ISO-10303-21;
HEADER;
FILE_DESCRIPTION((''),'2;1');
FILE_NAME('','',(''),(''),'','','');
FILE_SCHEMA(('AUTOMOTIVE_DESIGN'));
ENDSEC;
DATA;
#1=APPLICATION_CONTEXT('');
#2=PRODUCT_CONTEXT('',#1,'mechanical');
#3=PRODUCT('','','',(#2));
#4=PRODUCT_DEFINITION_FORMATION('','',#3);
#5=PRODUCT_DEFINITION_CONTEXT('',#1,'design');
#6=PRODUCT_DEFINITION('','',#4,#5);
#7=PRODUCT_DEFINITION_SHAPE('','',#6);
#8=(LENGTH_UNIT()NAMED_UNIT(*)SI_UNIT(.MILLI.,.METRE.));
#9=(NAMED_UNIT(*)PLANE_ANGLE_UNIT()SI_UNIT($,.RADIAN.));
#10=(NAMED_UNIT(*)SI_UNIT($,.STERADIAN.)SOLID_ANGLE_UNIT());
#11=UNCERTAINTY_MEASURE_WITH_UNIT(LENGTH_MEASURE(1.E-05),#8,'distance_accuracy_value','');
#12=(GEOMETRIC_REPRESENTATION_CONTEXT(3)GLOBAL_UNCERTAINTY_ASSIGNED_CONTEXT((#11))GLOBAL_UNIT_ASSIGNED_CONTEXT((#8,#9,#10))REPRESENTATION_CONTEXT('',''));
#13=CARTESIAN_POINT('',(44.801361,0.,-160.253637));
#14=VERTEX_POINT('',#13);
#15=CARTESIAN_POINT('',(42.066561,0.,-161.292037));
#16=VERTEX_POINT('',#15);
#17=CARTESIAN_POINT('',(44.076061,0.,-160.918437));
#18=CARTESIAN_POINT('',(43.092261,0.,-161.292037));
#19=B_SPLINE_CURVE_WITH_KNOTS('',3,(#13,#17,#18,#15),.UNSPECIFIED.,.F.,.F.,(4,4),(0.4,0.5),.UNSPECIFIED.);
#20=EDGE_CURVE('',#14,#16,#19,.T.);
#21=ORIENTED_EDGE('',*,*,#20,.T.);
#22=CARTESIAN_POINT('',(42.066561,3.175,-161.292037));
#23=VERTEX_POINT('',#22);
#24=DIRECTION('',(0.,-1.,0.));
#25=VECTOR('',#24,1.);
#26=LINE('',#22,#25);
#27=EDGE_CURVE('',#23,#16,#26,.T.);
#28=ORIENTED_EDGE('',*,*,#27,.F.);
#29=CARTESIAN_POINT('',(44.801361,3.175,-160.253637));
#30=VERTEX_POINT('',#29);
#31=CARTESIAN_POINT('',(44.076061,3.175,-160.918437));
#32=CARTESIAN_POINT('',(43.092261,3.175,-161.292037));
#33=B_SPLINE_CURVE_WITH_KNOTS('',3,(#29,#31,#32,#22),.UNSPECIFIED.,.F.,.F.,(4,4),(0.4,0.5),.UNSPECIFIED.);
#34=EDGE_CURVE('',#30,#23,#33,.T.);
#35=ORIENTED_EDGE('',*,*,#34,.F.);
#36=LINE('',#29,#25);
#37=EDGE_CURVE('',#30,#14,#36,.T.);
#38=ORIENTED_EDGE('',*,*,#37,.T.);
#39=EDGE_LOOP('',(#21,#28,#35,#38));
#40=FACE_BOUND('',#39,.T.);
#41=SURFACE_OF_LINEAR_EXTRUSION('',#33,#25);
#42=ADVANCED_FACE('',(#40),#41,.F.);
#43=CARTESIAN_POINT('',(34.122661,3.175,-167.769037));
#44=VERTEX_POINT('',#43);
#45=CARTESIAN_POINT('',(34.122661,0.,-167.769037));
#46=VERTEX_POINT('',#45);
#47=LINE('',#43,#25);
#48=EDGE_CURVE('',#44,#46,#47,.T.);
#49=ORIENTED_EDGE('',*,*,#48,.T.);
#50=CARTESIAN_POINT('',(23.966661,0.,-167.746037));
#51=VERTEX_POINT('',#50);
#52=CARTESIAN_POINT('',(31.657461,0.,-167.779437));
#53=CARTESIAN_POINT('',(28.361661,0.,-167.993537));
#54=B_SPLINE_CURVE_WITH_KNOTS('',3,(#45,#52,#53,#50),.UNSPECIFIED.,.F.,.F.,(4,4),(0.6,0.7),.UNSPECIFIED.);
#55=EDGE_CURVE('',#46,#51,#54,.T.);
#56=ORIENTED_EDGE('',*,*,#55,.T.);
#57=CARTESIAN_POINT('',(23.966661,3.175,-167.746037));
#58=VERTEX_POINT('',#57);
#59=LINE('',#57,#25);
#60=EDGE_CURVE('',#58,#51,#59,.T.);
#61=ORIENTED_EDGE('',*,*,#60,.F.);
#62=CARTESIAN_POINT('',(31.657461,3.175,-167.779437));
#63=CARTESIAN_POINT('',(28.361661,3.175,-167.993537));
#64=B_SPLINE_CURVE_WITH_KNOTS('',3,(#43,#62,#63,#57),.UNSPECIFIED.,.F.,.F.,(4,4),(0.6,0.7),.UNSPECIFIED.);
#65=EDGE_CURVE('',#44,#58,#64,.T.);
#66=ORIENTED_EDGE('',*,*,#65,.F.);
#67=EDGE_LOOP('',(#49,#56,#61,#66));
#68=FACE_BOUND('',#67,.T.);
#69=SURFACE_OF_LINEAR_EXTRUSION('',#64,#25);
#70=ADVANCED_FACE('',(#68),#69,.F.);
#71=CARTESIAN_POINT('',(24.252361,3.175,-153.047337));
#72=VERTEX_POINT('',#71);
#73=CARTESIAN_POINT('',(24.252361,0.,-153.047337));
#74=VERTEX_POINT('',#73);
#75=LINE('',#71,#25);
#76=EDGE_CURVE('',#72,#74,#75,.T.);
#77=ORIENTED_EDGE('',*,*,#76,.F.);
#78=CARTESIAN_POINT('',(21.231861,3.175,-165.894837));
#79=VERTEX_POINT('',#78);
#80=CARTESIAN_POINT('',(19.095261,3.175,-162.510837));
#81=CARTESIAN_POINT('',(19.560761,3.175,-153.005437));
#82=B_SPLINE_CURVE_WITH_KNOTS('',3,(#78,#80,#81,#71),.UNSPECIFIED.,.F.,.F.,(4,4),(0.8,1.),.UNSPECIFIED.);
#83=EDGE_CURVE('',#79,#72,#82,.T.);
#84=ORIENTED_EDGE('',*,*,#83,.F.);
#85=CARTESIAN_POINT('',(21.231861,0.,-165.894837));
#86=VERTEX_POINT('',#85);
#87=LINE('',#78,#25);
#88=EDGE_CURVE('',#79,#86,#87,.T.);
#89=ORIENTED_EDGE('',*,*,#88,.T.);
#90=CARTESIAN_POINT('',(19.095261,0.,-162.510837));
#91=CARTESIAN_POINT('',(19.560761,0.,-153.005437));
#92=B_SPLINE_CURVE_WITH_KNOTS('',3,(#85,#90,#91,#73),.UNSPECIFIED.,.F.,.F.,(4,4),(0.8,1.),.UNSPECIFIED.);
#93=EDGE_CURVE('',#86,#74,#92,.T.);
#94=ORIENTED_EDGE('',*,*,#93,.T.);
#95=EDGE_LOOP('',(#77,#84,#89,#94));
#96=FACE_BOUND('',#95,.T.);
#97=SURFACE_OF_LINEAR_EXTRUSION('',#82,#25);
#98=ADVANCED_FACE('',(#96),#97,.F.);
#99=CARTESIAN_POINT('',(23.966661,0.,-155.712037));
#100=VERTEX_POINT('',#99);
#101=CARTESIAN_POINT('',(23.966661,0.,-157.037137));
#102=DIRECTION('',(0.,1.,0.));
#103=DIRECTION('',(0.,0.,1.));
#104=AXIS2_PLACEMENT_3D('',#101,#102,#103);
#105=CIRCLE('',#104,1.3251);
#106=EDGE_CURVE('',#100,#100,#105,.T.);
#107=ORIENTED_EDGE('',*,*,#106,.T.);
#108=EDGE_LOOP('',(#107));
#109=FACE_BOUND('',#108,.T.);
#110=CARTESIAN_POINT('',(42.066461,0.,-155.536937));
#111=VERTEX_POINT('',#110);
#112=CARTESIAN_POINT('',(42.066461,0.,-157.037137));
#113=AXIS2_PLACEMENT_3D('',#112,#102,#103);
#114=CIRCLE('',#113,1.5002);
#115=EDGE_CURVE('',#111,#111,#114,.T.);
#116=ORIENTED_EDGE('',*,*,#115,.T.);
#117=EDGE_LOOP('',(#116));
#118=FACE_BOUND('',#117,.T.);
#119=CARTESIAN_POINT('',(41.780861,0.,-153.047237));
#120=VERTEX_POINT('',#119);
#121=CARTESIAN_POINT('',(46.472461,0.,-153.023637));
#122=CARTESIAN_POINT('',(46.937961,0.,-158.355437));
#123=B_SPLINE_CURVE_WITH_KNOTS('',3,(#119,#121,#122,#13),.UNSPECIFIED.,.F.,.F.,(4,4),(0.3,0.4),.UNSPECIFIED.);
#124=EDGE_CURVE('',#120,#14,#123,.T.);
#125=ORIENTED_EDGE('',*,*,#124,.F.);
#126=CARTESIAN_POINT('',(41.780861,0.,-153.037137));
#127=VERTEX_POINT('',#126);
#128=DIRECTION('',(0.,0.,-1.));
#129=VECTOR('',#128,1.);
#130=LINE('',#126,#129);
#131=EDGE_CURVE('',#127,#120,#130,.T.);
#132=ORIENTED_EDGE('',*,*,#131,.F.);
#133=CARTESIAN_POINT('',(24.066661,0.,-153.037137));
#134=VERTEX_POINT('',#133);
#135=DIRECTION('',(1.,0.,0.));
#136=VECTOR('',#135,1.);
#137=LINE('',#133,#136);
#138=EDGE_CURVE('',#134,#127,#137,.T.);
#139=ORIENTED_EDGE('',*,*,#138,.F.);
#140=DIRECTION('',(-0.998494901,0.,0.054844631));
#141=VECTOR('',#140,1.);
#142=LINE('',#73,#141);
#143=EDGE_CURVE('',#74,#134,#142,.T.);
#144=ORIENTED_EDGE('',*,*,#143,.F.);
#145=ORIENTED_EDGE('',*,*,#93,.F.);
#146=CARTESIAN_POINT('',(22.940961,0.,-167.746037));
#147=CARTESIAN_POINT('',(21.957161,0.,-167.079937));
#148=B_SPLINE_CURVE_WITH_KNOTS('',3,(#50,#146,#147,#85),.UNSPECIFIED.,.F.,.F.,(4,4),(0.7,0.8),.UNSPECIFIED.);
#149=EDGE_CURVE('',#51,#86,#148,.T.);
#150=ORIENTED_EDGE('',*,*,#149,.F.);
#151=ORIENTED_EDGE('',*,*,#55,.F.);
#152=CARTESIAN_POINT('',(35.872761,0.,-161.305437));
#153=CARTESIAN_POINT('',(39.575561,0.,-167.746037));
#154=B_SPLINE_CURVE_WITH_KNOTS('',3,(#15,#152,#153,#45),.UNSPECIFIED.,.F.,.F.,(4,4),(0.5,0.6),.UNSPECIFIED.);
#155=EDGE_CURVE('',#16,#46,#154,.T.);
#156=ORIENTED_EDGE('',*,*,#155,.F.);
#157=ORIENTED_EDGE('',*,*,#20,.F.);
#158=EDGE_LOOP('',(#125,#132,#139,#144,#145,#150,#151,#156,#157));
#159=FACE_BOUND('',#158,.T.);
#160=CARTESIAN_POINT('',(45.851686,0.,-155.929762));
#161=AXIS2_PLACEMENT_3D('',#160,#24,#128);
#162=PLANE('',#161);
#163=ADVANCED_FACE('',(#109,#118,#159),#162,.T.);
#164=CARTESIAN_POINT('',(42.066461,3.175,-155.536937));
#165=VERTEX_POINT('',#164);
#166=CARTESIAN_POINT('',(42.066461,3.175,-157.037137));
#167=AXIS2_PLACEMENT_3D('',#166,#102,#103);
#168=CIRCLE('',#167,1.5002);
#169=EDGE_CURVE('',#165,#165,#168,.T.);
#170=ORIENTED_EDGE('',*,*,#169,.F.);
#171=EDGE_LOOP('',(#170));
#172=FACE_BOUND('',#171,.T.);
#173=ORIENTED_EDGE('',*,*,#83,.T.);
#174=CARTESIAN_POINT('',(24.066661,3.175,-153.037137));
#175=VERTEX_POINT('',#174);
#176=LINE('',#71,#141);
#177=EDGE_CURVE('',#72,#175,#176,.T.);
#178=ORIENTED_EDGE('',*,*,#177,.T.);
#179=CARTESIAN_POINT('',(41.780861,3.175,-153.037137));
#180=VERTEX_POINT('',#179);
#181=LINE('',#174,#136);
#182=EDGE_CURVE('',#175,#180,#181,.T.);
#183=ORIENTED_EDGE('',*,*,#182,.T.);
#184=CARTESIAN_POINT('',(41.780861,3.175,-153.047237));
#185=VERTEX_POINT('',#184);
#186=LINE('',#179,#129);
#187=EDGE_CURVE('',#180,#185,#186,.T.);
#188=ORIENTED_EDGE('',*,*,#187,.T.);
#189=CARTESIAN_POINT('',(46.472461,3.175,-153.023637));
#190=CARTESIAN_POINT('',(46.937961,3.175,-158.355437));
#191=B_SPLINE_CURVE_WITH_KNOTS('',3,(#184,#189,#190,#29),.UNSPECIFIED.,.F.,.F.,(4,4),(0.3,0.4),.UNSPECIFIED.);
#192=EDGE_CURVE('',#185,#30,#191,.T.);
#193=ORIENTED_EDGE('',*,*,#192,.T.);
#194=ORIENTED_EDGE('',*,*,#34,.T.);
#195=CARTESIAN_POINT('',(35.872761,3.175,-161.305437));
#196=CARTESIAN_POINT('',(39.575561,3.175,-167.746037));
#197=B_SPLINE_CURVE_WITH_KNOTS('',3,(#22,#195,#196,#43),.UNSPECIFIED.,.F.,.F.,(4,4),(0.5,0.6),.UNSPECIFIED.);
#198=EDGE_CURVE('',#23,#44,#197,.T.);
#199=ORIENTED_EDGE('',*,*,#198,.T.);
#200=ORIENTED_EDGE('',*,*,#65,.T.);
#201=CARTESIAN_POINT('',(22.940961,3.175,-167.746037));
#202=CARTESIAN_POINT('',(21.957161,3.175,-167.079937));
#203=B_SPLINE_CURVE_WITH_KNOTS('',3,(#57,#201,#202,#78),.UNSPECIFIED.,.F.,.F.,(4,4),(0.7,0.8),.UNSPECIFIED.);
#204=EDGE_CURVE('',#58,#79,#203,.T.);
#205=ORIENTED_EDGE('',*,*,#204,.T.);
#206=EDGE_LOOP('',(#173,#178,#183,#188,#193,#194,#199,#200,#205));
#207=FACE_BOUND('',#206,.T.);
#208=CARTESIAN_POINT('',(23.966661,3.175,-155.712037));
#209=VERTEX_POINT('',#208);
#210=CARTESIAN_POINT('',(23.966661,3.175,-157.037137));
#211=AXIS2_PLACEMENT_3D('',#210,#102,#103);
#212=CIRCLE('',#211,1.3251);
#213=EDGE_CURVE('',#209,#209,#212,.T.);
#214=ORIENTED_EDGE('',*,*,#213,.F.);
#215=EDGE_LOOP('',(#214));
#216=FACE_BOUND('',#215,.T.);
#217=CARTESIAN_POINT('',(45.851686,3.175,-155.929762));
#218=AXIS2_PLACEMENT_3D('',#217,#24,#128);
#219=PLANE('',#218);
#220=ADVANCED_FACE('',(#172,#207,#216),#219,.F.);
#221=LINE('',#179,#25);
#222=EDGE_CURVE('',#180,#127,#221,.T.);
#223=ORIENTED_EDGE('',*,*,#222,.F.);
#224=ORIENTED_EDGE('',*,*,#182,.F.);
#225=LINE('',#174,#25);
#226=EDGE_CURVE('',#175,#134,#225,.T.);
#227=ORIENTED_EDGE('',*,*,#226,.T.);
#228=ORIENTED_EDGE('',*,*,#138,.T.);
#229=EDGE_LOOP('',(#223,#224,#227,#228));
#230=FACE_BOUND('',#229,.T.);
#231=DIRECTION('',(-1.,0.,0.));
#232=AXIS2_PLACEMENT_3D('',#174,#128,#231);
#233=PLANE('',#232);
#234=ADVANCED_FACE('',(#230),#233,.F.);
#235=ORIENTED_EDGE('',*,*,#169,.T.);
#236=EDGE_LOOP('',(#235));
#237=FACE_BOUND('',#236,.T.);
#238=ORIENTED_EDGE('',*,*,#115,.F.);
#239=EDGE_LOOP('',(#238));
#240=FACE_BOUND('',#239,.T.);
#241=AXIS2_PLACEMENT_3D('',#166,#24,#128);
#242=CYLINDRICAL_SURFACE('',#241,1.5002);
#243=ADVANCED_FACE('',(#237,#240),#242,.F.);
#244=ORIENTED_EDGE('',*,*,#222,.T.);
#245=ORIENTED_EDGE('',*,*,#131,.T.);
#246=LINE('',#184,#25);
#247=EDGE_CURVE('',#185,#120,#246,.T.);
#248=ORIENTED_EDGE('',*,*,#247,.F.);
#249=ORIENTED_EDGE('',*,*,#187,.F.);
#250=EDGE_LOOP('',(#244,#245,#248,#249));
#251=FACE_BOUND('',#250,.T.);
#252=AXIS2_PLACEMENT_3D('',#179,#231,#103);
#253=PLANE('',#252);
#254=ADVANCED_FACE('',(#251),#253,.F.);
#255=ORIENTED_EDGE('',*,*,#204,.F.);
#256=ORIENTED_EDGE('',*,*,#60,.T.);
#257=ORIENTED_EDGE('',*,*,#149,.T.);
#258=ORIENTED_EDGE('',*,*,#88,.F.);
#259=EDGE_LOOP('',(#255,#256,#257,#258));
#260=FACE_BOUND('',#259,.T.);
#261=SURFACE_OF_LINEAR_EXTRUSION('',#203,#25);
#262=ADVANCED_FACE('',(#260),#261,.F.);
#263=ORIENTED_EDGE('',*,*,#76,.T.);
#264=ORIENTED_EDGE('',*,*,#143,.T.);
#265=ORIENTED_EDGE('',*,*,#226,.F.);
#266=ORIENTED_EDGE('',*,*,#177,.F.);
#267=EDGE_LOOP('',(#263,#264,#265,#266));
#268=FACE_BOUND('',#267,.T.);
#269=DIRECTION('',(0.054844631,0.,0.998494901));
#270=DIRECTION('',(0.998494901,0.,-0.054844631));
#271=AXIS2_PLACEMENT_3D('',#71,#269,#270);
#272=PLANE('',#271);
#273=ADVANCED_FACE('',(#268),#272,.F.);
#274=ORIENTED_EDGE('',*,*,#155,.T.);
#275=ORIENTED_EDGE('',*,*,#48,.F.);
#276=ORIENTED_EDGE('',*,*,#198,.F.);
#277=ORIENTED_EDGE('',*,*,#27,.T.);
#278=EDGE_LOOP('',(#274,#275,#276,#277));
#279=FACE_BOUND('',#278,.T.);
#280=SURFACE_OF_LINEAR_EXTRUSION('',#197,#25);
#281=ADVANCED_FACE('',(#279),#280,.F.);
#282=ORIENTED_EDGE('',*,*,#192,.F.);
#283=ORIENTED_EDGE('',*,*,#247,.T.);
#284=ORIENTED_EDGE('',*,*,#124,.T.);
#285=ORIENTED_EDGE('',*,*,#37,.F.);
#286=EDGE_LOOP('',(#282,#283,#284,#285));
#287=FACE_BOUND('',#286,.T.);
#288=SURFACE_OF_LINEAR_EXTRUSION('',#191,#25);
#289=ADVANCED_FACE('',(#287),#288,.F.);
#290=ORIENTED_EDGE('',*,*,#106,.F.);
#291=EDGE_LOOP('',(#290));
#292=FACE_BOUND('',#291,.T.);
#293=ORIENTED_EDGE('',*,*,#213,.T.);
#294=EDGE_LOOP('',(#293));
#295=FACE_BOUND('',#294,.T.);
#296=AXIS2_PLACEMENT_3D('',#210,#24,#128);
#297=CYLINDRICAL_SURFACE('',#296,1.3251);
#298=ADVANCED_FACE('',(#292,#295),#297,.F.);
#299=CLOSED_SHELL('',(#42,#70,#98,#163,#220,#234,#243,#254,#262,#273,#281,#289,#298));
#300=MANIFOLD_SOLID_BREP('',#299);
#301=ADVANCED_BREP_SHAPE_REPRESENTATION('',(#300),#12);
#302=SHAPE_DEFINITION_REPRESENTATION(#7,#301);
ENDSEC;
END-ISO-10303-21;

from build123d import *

# Parameters (mm, degrees)
SKETCH1_R           = 1.3251
SKETCH1_R_2         = 1.5002
BOSS_EXTRUDE1_DEPTH = 3.175


with BuildPart() as part:
    # Sketch1 → Boss-Extrude1 (new body)
    with BuildSketch(Plane(origin=(0, 0, 0), x_dir=(1, 0, 0), z_dir=(0, 1, 0))):
        with BuildLine():
            Line((24.252360584, 153.047337226), (24.066660584, 153.037137226))
            Line((24.066660584, 153.037137226), (41.780860584, 153.037137226))
            Line((41.780860584, 153.037137226), (41.780860584, 153.047237226))
            add(Edge.make_bspline(
                [(41.780860584, 153.047237226), (46.472460584, 153.023637226), (46.937960584, 158.355437226), (44.801360584, 160.253637226)],
                knots=[0.3, 0.3, 0.3, 0.3, 0.4, 0.4, 0.4, 0.4], degree=3))
            add(Edge.make_bspline(
                [(44.801360584, 160.253637226), (44.076060584, 160.918437226), (43.092260584, 161.292037226), (42.066560584, 161.292037226)],
                knots=[0.4, 0.4, 0.4, 0.4, 0.5, 0.5, 0.5, 0.5], degree=3))
            add(Edge.make_bspline(
                [(42.066560584, 161.292037226), (35.872760584, 161.305437226), (39.575560584, 167.746037226), (34.122660584, 167.769037226)],
                knots=[0.5, 0.5, 0.5, 0.5, 0.6, 0.6, 0.6, 0.6], degree=3))
            add(Edge.make_bspline(
                [(34.122660584, 167.769037226), (31.657460584, 167.779437226), (28.361660584, 167.993537226), (23.966660584, 167.746037226)],
                knots=[0.6, 0.6, 0.6, 0.6, 0.7, 0.7, 0.7, 0.7], degree=3))
            add(Edge.make_bspline(
                [(23.966660584, 167.746037226), (22.940960584, 167.746037226), (21.957160584, 167.079937226), (21.231860584, 165.894837226)],
                knots=[0.7, 0.7, 0.7, 0.7, 0.8, 0.8, 0.8, 0.8], degree=3))
            add(Edge.make_bspline(
                [(21.231860584, 165.894837226), (19.095260584, 162.510837226), (19.560760584, 153.005437226), (24.252360584, 153.047337226)],
                knots=[0.8, 0.8, 0.8, 0.8, 1, 1, 1, 1], degree=3))
        make_face()
        with Locations(Location((23.966660584, 157.037137226, 0), (0, 0, 270))):
            Circle(SKETCH1_R, mode=Mode.SUBTRACT)
        with Locations(Location((42.066460584, 157.037137226, 0), (0, 0, 270))):
            Circle(SKETCH1_R_2, mode=Mode.SUBTRACT)
    extrude(amount=BOSS_EXTRUDE1_DEPTH)


solid = part.part
